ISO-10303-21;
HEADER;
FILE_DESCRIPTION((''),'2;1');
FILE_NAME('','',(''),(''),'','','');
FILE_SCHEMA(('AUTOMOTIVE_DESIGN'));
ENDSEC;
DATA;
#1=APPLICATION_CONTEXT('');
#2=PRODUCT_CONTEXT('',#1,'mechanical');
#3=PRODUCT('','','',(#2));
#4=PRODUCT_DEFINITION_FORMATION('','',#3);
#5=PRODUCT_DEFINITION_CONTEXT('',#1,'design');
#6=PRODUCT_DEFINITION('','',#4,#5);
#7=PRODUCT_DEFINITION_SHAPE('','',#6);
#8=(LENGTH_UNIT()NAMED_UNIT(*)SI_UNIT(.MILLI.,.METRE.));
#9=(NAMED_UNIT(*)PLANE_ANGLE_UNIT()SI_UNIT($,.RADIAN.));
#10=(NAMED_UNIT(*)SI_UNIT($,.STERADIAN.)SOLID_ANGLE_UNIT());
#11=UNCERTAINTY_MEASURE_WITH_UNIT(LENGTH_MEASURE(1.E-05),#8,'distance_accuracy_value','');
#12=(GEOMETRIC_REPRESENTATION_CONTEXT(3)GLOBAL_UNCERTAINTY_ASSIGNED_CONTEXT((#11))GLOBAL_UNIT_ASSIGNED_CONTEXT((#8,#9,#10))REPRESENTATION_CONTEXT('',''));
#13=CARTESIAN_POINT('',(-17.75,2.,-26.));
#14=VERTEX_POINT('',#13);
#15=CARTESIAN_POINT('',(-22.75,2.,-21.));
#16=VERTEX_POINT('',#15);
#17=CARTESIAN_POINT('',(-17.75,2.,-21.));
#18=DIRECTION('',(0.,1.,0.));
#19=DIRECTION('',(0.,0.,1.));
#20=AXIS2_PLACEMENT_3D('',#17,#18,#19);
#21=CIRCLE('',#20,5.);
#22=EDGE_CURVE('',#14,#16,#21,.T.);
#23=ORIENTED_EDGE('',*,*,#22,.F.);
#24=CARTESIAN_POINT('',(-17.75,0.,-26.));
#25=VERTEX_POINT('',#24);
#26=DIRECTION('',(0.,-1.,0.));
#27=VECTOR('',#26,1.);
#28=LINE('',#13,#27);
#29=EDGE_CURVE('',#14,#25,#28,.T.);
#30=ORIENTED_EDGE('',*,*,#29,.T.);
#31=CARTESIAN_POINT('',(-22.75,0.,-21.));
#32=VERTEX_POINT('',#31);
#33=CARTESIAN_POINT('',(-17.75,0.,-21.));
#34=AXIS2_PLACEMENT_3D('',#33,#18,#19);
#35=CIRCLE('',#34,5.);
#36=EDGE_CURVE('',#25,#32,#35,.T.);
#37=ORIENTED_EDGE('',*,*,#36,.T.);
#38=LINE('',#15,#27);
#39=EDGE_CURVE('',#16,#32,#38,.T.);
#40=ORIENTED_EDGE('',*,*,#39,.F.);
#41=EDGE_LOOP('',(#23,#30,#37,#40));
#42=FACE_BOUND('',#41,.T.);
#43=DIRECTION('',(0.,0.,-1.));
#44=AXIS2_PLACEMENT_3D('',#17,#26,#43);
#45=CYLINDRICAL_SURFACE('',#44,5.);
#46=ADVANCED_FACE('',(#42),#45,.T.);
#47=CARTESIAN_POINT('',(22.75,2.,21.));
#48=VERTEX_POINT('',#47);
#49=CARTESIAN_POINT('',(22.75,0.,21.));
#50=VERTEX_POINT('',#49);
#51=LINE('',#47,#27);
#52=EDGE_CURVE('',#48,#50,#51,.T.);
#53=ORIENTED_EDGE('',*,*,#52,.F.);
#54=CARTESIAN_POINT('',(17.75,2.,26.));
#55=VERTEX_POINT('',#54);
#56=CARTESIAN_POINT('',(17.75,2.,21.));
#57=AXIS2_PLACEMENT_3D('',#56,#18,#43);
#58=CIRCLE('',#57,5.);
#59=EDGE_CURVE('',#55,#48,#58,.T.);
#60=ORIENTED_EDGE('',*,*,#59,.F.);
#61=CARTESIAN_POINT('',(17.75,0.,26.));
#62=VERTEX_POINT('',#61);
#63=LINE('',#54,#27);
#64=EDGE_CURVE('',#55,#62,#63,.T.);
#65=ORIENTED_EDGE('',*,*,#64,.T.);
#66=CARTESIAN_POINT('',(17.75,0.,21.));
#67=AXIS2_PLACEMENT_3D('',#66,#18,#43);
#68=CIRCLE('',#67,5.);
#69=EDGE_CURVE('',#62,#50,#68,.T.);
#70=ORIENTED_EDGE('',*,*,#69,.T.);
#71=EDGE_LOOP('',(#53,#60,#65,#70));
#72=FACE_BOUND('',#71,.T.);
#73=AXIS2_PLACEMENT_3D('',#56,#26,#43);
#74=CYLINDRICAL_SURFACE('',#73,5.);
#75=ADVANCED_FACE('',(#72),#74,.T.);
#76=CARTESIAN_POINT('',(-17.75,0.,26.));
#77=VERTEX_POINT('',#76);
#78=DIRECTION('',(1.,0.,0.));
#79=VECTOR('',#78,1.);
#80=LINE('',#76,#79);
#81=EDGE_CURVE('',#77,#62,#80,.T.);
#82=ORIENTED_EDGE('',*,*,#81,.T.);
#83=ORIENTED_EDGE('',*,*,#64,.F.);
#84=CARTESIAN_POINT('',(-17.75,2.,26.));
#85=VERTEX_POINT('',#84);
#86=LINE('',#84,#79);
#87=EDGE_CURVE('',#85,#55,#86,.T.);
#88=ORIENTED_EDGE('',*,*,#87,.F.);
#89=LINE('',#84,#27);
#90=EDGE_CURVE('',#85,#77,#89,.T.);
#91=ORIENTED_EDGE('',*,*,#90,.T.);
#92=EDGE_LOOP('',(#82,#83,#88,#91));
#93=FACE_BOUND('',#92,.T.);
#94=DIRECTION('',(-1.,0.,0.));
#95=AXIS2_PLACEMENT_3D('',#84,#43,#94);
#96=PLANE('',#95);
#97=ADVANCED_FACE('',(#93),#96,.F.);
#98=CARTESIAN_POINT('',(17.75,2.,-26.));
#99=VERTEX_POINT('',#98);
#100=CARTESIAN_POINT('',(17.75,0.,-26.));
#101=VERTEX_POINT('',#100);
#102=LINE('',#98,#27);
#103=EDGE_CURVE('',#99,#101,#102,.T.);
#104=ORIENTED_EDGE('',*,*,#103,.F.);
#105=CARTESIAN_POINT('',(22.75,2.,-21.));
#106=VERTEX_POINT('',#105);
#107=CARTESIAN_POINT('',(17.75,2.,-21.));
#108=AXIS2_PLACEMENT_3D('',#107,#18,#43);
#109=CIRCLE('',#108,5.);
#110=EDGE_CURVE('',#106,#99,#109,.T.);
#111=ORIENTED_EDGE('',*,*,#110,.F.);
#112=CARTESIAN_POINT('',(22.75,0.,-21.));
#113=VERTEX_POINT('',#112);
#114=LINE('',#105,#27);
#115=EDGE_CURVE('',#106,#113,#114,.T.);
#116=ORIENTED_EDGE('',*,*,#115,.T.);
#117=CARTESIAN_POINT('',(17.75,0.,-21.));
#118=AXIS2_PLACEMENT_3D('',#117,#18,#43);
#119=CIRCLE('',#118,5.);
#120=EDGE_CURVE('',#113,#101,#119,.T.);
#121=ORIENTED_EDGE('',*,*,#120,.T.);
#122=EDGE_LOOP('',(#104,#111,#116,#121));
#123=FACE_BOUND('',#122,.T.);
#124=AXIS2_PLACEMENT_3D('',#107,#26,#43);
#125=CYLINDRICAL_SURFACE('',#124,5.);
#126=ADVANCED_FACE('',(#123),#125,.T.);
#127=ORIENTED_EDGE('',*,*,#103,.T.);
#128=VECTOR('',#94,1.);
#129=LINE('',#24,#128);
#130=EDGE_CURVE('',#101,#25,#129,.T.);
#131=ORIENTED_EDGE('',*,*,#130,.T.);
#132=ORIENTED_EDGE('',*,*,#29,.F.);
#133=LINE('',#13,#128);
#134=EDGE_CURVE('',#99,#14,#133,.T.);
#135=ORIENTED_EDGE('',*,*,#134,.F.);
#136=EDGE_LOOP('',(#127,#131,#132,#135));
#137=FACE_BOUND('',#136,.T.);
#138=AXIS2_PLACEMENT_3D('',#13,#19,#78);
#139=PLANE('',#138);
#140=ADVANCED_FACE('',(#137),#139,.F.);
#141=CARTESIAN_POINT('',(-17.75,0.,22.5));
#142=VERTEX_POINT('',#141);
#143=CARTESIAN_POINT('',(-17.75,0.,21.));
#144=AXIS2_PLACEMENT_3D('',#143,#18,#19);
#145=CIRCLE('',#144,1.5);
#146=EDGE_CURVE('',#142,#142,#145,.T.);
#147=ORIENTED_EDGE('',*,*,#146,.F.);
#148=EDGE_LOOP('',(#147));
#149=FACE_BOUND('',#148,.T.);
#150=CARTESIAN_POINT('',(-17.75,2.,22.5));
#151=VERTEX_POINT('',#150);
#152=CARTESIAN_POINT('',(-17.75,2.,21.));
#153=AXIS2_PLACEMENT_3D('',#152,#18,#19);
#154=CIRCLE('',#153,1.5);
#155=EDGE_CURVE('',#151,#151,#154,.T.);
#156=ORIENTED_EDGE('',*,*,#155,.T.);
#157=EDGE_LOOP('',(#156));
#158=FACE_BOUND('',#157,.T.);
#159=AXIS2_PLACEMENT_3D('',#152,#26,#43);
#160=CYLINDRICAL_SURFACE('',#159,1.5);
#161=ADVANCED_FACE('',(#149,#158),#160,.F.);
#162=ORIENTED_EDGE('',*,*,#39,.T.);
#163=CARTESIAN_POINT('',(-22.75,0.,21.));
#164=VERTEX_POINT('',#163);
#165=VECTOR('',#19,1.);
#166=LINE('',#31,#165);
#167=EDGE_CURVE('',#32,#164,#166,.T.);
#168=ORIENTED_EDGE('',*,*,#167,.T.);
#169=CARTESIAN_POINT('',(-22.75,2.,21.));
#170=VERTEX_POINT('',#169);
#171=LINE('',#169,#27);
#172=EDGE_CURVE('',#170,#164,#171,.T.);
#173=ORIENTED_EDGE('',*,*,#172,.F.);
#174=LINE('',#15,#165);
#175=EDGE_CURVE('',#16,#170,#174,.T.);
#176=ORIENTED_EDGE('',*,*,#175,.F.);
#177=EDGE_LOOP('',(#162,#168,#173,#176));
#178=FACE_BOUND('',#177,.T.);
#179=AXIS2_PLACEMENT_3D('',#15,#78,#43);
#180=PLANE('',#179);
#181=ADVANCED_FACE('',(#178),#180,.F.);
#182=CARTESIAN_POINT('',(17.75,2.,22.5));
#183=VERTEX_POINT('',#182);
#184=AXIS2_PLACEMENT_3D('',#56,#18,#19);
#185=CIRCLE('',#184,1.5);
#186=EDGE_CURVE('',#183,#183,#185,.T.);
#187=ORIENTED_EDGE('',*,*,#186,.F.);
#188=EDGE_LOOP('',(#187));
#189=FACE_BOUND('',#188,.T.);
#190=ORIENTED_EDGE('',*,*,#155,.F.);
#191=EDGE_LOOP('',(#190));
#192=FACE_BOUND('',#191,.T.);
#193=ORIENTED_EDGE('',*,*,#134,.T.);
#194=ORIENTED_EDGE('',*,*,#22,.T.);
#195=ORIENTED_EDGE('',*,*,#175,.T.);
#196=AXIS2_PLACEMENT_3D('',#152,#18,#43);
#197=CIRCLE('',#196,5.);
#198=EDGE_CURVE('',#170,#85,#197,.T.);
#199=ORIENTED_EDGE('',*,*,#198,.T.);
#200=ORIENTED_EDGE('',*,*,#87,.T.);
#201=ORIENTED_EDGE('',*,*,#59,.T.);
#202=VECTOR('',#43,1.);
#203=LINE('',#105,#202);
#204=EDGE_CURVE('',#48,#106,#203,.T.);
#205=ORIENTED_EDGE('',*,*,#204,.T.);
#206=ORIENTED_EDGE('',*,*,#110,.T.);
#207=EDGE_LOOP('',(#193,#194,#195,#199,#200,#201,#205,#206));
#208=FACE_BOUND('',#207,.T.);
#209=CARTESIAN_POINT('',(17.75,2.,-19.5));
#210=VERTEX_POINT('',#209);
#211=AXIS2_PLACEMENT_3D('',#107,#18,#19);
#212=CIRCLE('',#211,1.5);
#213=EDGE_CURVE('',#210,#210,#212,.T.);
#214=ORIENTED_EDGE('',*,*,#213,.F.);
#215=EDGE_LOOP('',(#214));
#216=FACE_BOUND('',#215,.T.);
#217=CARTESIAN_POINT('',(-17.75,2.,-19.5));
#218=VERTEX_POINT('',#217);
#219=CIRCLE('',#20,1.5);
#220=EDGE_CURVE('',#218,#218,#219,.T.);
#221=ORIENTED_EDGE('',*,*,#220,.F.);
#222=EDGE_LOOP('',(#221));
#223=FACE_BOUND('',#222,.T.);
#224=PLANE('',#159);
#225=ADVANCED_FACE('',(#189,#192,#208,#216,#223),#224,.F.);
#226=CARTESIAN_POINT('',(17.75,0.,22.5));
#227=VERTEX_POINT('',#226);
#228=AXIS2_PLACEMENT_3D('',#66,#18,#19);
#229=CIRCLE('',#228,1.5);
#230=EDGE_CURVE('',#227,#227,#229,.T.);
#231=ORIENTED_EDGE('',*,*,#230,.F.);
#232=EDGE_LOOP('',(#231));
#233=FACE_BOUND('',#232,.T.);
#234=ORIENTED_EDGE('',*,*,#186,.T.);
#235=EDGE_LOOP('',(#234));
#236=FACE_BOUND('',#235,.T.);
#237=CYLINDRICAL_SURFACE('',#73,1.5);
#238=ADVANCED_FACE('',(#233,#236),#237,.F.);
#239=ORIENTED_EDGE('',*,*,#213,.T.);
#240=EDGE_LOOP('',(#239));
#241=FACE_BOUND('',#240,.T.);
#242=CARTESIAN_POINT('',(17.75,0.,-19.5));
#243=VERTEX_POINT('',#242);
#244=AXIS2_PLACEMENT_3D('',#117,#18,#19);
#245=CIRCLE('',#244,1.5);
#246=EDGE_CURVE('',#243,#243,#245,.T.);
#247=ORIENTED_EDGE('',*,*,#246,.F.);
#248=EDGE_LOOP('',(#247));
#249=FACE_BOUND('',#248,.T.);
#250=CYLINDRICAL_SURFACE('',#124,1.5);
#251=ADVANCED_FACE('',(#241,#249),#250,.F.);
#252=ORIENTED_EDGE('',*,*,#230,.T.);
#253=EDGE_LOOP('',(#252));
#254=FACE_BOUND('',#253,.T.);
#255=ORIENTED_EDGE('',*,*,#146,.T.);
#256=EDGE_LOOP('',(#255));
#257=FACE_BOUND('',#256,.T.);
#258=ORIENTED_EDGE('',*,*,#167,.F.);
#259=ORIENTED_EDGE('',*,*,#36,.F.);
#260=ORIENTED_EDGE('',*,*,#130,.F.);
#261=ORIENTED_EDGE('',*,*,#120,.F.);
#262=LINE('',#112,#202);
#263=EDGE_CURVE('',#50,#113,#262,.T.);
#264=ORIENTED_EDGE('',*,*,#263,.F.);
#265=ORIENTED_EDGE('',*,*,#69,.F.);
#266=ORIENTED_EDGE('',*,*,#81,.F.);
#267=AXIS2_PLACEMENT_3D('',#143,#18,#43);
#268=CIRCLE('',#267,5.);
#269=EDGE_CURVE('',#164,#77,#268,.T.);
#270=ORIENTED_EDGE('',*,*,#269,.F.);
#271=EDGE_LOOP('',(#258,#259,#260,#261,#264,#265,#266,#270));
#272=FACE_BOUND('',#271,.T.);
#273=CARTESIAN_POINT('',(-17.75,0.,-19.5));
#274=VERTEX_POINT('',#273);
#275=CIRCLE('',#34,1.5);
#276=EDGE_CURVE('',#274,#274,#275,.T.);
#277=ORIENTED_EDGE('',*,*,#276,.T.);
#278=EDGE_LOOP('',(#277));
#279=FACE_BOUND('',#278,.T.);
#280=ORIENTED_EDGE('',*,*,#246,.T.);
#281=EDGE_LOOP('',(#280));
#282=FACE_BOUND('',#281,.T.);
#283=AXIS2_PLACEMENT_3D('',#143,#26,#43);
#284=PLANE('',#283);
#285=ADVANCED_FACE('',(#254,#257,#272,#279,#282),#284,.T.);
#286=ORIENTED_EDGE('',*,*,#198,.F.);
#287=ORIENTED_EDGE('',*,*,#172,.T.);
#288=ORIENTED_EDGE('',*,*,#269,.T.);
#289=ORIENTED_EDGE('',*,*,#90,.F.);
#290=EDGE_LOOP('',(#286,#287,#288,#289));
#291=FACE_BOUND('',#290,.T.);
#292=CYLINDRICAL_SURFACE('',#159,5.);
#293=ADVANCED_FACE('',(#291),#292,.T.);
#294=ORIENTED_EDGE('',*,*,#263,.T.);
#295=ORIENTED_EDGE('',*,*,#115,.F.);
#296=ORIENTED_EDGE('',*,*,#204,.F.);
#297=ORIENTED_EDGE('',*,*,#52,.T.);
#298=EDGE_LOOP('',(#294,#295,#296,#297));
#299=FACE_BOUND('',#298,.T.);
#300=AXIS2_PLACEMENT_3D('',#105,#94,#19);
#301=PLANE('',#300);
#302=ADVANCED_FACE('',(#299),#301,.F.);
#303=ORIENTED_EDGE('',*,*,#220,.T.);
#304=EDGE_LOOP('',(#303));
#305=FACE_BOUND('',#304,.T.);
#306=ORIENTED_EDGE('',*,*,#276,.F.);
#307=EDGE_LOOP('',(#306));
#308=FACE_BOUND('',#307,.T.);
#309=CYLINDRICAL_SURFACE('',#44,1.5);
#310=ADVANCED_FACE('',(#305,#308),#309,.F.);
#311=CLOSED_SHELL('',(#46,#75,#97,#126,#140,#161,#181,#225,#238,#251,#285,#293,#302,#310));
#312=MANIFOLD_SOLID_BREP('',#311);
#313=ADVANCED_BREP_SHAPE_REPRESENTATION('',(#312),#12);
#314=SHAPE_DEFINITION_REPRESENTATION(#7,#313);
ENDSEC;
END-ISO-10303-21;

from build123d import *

# Parameters (mm, degrees)
SKETCH_1_R      = 1.5
EXTRUDE_1_DEPTH = 2


with BuildPart() as part:
    # 草圖1 → 填料-伸長1 (new body)
    with BuildSketch(Plane(origin=(0, 0, 0), x_dir=(1, 0, 0), z_dir=(0, 1, 0))):
        with BuildLine():
            Line((-17.75, 26), (17.75, 26))
            ThreePointArc((17.75, 26), (21.285533906, 24.535533906), (22.75, 21))
            Line((22.75, 21), (22.75, -21))
            ThreePointArc((22.75, -21), (21.285533906, -24.535533906), (17.75, -26))
            Line((17.75, -26), (-17.75, -26))
            ThreePointArc((-17.75, -26), (-21.285533906, -24.535533906), (-22.75, -21))
            Line((-22.75, -21), (-22.75, 21))
            ThreePointArc((-22.75, 21), (-21.285533906, 24.535533906), (-17.75, 26))
        make_face()
        with Locations(Location((17.75, 21, 0), (0, 0, 270))):
            Circle(SKETCH_1_R, mode=Mode.SUBTRACT)
        with Locations(Location((-17.75, 21, 0), (0, 0, 270))):
            Circle(SKETCH_1_R, mode=Mode.SUBTRACT)
        with Locations(Location((-17.75, -21, 0), (0, 0, 270))):
            Circle(SKETCH_1_R, mode=Mode.SUBTRACT)
        with Locations(Location((17.75, -21, 0), (0, 0, 270))):
            Circle(SKETCH_1_R, mode=Mode.SUBTRACT)
    extrude(amount=EXTRUDE_1_DEPTH)


solid = part.part
